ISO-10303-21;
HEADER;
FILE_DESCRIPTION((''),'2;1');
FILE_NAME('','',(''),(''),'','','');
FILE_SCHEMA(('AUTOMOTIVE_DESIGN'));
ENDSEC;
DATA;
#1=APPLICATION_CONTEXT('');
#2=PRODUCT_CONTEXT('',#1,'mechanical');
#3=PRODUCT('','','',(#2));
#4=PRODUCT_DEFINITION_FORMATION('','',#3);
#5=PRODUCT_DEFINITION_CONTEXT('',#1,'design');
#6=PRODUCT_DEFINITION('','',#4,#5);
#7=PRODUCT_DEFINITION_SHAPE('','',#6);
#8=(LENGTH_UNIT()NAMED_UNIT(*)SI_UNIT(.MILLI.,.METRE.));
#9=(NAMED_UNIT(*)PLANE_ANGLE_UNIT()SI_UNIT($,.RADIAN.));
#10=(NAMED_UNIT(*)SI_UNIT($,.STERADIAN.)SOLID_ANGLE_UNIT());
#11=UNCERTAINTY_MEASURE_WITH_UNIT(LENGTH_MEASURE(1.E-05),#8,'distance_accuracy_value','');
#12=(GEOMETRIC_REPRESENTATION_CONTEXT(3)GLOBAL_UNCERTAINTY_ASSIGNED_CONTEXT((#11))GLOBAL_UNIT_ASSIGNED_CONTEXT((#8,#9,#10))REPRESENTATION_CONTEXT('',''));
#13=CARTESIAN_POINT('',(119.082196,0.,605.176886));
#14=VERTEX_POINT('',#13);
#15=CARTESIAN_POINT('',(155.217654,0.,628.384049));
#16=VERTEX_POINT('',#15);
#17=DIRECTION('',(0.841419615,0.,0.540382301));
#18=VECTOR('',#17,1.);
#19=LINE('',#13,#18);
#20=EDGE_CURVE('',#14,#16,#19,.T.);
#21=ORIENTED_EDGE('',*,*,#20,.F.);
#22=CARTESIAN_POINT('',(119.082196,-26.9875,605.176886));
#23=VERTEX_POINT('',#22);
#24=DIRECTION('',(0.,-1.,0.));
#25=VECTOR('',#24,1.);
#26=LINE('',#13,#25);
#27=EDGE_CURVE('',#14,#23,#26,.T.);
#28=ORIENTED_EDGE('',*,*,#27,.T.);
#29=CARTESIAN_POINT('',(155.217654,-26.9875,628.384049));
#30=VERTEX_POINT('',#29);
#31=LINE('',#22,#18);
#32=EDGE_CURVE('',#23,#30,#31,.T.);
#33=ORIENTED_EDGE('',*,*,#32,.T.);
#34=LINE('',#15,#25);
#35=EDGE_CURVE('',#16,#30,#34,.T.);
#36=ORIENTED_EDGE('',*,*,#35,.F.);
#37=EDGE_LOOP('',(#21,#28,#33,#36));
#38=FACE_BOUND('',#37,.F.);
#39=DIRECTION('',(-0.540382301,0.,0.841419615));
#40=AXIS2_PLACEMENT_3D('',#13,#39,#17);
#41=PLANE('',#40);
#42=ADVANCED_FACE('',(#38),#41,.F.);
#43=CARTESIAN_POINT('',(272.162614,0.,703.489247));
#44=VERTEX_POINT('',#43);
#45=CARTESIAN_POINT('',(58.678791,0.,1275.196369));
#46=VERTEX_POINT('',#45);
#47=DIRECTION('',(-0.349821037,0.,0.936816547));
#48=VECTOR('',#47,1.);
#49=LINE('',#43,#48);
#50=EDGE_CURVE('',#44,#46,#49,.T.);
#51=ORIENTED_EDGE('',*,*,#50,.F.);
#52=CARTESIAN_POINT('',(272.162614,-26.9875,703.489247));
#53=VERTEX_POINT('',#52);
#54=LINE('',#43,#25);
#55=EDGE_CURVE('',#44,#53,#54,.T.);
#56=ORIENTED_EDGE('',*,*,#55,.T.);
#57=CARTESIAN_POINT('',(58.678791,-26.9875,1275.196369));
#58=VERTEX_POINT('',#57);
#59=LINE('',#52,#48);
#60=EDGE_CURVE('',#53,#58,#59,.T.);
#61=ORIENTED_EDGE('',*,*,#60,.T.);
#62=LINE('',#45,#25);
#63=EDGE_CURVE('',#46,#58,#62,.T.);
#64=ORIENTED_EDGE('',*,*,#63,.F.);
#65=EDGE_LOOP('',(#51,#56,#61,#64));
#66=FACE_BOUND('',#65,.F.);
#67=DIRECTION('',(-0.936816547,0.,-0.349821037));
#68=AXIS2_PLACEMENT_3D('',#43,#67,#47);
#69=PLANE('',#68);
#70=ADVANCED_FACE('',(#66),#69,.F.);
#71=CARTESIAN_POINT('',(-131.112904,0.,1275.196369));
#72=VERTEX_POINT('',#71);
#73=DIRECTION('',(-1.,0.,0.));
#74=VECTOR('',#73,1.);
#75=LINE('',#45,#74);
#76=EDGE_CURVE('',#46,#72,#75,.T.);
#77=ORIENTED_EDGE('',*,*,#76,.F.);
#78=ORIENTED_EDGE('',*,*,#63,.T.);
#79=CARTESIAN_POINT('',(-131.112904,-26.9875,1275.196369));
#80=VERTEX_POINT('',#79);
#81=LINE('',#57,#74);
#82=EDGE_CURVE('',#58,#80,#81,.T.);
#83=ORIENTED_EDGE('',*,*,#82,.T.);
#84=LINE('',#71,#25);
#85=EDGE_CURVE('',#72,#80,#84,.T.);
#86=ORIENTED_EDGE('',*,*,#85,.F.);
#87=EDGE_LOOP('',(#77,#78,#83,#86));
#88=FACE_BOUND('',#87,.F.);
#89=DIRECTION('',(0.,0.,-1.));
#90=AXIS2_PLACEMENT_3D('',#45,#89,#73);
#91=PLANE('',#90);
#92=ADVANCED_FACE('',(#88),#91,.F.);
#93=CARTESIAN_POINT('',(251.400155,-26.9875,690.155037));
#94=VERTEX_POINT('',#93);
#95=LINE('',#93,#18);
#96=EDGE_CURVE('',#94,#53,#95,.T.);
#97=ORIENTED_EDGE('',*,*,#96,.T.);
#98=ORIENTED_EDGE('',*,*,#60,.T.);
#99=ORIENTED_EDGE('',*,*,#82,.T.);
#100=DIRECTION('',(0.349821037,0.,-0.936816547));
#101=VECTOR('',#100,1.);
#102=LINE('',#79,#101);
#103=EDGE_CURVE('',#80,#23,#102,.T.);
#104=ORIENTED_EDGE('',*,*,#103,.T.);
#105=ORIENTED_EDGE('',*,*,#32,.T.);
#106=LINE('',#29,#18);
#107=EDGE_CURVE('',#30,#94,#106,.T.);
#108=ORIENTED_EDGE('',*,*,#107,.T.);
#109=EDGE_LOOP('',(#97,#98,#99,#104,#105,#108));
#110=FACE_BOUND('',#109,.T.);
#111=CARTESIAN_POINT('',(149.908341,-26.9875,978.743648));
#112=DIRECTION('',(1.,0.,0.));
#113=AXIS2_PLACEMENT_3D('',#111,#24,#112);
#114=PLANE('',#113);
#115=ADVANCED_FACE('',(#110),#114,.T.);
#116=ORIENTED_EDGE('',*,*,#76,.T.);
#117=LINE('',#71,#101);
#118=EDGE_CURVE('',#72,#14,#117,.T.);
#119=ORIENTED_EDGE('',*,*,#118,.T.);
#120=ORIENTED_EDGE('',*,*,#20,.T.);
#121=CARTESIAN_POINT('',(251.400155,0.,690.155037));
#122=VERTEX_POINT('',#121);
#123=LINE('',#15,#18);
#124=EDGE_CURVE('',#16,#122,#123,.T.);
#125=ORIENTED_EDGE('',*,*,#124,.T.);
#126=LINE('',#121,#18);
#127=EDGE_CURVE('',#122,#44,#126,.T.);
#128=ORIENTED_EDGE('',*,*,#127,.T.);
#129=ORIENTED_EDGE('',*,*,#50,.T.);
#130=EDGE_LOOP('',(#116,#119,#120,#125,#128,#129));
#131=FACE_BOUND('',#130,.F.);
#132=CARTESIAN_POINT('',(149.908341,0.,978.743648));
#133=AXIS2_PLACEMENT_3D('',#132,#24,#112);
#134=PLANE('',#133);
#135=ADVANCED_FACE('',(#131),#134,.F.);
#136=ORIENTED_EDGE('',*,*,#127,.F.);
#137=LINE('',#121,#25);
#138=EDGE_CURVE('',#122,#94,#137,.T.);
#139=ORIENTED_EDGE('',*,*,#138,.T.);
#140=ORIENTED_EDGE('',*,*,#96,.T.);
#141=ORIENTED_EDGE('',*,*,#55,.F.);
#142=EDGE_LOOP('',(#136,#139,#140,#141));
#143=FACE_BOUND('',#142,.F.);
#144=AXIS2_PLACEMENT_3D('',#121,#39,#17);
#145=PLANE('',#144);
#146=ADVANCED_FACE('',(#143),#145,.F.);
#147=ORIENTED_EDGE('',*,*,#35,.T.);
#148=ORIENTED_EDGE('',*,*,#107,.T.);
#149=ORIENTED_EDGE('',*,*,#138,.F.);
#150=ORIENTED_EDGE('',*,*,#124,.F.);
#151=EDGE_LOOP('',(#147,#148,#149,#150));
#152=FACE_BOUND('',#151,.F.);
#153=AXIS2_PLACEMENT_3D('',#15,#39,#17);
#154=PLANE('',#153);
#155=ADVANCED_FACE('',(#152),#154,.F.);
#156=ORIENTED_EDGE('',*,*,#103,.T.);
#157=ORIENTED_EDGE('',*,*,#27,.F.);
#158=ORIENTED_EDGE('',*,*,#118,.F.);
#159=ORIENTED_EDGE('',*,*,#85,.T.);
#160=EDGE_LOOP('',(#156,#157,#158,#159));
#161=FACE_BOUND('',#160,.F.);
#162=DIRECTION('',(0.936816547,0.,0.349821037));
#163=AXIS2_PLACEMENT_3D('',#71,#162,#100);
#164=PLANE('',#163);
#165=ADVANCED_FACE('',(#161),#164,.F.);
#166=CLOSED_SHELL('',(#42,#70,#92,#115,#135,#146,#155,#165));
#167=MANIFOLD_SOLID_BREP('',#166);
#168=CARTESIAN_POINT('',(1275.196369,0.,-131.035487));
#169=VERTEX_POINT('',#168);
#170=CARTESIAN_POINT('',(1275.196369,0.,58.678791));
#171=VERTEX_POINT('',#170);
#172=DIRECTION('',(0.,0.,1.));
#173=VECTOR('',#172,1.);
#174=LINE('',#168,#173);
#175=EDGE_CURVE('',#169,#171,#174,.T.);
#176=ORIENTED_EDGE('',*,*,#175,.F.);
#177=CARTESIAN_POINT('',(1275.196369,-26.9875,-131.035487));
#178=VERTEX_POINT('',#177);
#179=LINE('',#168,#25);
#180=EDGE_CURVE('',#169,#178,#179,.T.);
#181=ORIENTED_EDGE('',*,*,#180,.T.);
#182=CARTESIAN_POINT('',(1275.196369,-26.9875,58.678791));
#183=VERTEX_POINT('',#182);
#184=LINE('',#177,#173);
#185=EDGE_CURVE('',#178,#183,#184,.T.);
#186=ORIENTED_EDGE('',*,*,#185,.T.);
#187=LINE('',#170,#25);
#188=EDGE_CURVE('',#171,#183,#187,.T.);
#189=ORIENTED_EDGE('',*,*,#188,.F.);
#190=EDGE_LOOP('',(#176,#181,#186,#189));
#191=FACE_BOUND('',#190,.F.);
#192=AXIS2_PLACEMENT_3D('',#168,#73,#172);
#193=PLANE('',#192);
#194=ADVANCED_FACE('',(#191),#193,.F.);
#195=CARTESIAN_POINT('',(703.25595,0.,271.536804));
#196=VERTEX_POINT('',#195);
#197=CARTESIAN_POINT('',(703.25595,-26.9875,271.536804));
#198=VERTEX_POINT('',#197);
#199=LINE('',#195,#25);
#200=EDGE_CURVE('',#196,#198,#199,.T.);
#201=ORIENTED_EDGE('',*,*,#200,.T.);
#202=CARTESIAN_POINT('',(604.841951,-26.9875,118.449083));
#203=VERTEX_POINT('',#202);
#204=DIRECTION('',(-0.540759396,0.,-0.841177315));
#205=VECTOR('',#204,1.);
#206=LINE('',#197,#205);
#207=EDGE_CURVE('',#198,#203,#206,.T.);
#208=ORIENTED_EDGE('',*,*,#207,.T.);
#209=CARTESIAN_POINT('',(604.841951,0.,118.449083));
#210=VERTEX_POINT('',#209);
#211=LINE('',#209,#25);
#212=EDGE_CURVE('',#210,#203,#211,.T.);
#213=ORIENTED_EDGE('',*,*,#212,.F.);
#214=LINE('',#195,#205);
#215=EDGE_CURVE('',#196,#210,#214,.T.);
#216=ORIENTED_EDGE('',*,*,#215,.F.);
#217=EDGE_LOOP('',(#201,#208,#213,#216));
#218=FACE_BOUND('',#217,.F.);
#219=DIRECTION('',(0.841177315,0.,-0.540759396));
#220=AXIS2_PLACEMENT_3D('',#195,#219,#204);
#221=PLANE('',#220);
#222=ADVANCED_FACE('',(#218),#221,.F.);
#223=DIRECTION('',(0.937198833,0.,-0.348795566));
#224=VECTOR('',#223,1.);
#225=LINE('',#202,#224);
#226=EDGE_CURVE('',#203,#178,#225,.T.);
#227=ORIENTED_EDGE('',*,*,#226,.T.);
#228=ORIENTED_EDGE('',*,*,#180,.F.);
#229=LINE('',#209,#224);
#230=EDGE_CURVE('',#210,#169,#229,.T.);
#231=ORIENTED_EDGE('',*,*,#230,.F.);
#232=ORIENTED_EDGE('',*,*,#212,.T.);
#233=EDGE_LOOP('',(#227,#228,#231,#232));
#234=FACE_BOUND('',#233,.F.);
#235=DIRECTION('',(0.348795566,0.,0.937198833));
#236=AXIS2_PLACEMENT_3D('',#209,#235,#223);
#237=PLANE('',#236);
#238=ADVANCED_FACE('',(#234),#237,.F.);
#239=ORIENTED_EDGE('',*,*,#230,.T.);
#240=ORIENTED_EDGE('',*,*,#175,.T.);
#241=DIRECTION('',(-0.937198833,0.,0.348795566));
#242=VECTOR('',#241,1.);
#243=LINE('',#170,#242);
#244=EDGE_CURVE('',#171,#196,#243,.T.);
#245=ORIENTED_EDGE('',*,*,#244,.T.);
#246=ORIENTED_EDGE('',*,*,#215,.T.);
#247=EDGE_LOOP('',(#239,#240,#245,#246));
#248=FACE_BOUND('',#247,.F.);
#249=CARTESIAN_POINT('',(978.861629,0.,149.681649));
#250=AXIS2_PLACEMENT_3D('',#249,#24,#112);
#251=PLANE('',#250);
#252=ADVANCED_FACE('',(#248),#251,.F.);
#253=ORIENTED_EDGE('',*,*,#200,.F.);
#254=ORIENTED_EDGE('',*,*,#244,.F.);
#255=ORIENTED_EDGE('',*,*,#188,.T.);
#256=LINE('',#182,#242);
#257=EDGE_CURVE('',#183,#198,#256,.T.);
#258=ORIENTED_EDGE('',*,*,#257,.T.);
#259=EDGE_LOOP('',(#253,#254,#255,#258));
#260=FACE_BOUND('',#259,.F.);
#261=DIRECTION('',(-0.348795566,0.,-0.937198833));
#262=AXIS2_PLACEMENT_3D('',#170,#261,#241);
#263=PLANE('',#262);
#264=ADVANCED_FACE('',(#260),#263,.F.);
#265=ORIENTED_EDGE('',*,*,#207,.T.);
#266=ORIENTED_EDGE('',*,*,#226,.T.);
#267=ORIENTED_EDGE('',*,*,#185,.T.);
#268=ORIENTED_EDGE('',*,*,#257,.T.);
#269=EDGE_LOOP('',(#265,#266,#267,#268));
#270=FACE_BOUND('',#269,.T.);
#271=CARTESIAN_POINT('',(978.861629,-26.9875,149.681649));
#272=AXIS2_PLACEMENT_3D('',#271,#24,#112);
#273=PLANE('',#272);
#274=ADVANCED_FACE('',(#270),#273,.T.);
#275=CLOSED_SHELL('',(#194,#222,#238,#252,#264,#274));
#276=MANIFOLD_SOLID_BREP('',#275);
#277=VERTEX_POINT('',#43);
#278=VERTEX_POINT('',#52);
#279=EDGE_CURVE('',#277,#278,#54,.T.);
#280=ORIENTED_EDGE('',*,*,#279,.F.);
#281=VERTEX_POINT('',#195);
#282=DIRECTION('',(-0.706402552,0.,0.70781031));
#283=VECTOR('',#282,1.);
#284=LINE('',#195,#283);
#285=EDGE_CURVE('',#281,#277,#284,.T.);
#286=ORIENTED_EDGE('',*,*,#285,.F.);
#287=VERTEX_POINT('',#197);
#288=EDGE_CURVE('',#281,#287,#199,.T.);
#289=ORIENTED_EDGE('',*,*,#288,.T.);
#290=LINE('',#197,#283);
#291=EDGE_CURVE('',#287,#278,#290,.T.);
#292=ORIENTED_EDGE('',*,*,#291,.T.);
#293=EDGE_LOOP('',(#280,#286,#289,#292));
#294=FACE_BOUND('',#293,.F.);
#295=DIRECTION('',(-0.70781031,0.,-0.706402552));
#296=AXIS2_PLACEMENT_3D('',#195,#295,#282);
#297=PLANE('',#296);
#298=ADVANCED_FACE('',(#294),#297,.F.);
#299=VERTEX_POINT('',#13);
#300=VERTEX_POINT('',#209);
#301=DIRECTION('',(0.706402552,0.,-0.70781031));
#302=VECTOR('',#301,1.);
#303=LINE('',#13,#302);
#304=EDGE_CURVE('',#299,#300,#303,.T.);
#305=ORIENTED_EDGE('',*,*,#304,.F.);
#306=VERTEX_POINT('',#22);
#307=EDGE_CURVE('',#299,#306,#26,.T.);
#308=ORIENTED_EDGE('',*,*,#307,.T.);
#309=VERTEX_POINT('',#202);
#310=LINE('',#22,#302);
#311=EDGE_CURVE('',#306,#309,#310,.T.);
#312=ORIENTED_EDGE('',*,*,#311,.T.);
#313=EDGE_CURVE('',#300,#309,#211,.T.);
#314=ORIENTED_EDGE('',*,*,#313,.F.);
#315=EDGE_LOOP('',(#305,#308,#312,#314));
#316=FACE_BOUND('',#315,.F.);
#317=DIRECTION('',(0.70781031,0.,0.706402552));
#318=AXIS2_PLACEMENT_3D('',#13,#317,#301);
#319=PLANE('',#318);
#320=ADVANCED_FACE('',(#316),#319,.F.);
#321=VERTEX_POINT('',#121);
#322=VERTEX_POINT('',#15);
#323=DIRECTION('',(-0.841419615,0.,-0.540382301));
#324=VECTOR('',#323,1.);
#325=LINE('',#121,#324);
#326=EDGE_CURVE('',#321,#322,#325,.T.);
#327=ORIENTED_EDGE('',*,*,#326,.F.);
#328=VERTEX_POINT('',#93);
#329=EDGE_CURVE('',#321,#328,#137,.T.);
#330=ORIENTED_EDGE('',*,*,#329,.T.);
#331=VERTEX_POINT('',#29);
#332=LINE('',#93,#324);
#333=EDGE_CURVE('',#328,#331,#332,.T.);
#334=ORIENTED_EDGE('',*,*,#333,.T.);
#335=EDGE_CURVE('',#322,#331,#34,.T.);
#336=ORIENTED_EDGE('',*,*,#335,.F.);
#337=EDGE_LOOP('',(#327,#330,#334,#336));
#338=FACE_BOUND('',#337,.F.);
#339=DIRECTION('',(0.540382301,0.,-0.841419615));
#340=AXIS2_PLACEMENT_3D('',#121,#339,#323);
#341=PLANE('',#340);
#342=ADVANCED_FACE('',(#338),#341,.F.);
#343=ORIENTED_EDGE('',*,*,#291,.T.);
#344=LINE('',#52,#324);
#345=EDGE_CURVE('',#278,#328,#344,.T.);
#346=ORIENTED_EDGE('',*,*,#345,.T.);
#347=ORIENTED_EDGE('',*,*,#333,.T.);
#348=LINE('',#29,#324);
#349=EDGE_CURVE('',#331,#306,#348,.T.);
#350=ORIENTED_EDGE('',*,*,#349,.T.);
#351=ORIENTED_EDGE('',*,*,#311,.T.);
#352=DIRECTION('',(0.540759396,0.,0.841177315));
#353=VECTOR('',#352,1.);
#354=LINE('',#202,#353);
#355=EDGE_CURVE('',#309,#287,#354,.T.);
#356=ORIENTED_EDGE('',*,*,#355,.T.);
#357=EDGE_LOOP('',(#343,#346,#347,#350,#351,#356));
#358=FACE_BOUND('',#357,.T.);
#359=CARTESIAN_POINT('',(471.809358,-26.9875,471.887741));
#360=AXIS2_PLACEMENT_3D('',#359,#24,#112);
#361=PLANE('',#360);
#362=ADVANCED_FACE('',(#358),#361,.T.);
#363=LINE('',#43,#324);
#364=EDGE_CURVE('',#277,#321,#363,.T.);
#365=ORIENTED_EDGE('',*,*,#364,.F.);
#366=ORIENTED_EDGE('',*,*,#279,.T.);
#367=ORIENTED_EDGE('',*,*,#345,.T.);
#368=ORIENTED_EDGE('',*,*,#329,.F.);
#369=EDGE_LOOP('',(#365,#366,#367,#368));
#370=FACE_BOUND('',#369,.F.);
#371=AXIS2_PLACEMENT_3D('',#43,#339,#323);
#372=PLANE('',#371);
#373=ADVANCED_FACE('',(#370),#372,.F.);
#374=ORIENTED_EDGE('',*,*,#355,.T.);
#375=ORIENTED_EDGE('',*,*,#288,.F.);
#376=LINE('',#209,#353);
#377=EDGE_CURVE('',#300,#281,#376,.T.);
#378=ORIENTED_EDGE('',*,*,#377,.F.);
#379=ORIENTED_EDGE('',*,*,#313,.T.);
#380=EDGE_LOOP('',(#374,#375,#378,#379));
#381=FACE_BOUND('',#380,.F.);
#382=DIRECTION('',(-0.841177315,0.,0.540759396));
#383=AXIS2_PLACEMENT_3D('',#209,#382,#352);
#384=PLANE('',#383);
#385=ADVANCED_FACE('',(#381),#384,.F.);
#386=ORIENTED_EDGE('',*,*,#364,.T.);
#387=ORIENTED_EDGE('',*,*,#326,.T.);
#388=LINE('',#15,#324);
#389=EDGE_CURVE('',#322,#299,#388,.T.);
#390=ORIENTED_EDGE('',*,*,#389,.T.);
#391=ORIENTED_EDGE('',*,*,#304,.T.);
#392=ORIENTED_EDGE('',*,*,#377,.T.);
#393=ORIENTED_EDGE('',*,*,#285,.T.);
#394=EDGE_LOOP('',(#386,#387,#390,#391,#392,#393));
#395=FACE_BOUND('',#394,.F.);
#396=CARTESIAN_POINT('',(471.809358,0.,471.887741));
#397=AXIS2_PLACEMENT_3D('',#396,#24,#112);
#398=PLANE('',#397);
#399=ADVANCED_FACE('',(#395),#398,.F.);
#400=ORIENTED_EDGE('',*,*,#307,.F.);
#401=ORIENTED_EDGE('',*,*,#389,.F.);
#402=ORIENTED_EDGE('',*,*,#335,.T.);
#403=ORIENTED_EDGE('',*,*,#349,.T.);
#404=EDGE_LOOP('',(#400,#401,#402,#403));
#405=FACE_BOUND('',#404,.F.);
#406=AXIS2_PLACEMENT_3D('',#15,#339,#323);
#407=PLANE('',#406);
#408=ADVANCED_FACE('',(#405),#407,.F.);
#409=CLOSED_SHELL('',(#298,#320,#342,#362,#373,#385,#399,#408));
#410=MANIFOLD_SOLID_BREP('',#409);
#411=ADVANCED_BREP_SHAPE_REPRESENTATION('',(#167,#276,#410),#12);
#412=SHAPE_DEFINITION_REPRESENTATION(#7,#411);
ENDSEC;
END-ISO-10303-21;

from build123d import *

# Parameters (mm, degrees)
F1_DEPTH = 26.9875
F2_DEPTH = 26.9875


with BuildPart() as f1:
    # F0 (on Front) → F1 (new body)
    with BuildSketch(Plane.XZ):
        with BuildLine():
            Line((58.678790709, 1275.1963691918), (51.058790709, 1275.1963691918))
            ThreePointArc((51.058790709, 1275.1963691918), (117.8340490666, 971.2397850446), (251.400154971, 690.1550370971))
            Line((251.400154971, 690.1550370971), (272.1626140884, 703.4892466131))
            Line((272.1626140884, 703.4892466131), (58.678790709, 1275.1963691918))
        make_face()
        with BuildLine():
            Line((51.058790709, 1275.1963691918), (0, 1275.1963691918))
            ThreePointArc((0, 1275.1963691918), (69.0407381145, 956.9284740421), (208.6522133677, 662.7011595724))
            Line((208.6522133677, 662.7011595725), (251.400154971, 690.1550370971))
            ThreePointArc((251.400154971, 690.1550370971), (117.8340490666, 971.2397850446), (51.058790709, 1275.1963691918))
        make_face()
        with BuildLine():
            ThreePointArc((208.6522133677, 662.7011595724), (69.0407381145, 956.9284740421), (0, 1275.1963691918))
            Line((0, 1275.1963691918), (-63.7984330513, 1275.1963691918))
            ThreePointArc((-63.7984330513, 1275.1963691918), (8.0539380569, 939.0396818826), (155.2176541578, 628.3840488741))
            Line((155.2176541578, 628.3840488741), (208.6522133677, 662.7011595725))
        make_face()
        with BuildLine():
            ThreePointArc((155.2176541578, 628.3840488741), (8.0539380569, 939.0396818826), (-63.7984330513, 1275.1963691918))
            Line((-63.7984330513, 1275.1963691918), (-131.1129039445, 1275.1963691918))
            Line((-131.1129039445, 1275.1963691918), (119.0821964714, 605.1768863206))
            Line((119.0821964714, 605.1768863206), (155.2176541578, 628.3840488741))
        make_face()
    extrude(amount=F1_DEPTH)


with BuildPart() as f1b:
    # F0 (on Front) → F1, piece 2 (new body)
    with BuildSketch(Plane.XZ):
        with BuildLine():
            Line((703.2559501702, 271.5368042797), (690.2663237408, 251.3308140456))
            ThreePointArc((690.2663237409, 251.3308140456), (971.3018104773, 117.8128107534), (1275.1963691918, 51.058790709))
            Line((1275.1963691918, 51.058790709), (1275.1963691918, 58.678790709))
            Line((1275.1963691918, 58.678790709), (703.2559501702, 271.5368042797))
        make_face()
        with BuildLine():
            Line((690.2663237408, 251.3308140456), (662.793087873, 208.5948709711))
            ThreePointArc((662.793087873, 208.5948709711), (956.9797538154, 69.0232702705), (1275.1963691918, 0))
            Line((1275.1963691918, 0), (1275.1963691918, 51.058790709))
            ThreePointArc((1275.1963691918, 51.058790709), (971.3018104773, 117.8128107534), (690.2663237409, 251.3308140456))
        make_face()
        with BuildLine():
            ThreePointArc((1275.1963691918, 0), (956.9797538154, 69.0232702705), (662.793087873, 208.5948709711))
            Line((662.793087873, 208.5948709711), (628.4517986621, 155.1753397633))
            ThreePointArc((628.4517986621, 155.1753397633), (939.0775113648, 8.0411292429), (1275.1963691918, -63.7984330513))
            Line((1275.1963691918, -63.7984330513), (1275.1963691918, 0))
        make_face()
        with BuildLine():
            ThreePointArc((1275.1963691918, -63.7984330513), (939.0775113648, 8.0411292429), (628.4517986621, 155.1753397633))
            Line((628.4517986621, 155.1753397633), (604.8419510012, 118.4490833264))
            Line((604.8419510012, 118.4490833264), (1275.1963691918, -131.0354872665))
            Line((1275.1963691918, -131.0354872665), (1275.1963691918, -63.7984330513))
        make_face()
    extrude(amount=F1_DEPTH)


with BuildPart() as f2:
    # F0 (on Front) → F2 (new body)
    with BuildSketch(Plane.XZ):
        with BuildLine():
            Line((272.1626140884, 703.4892466131), (251.400154971, 690.1550370971))
            ThreePointArc((251.400154971, 690.1550370971), (445.6915696116, 445.5988526201), (690.2663237409, 251.3308140456))
            Line((690.2663237408, 251.3308140456), (703.2559501702, 271.5368042797))
            Line((703.2559501702, 271.5368042797), (272.1626140884, 703.4892466131))
        make_face()
        with BuildLine():
            Line((251.400154971, 690.1550370971), (208.6522133677, 662.7011595725))
            ThreePointArc((208.6522133677, 662.7011595724), (409.7624925237, 409.6858799826), (662.793087873, 208.5948709711))
            Line((662.793087873, 208.5948709711), (690.2663237408, 251.3308140456))
            ThreePointArc((690.2663237409, 251.3308140456), (445.6915696116, 445.5988526201), (251.400154971, 690.1550370971))
        make_face()
        with BuildLine():
            ThreePointArc((662.793087873, 208.5948709711), (409.7624925237, 409.6858799826), (208.6522133677, 662.7011595724))
            Line((208.6522133677, 662.7011595725), (155.2176541578, 628.3840488741))
            ThreePointArc((155.2176541578, 628.3840488741), (364.8511465394, 364.7946640565), (628.4517986621, 155.1753397633))
            Line((628.4517986621, 155.1753397633), (662.793087873, 208.5948709711))
        make_face()
        with BuildLine():
            ThreePointArc((628.4517986621, 155.1753397633), (364.8511465394, 364.7946640565), (155.2176541578, 628.3840488741))
            Line((155.2176541578, 628.3840488741), (119.0821964714, 605.1768863206))
            Line((119.0821964714, 605.1768863206), (604.8419510012, 118.4490833264))
            Line((604.8419510012, 118.4490833264), (628.4517986621, 155.1753397633))
        make_face()
    extrude(amount=F2_DEPTH)


solid = Compound([f1.part, f1b.part, f2.part])
